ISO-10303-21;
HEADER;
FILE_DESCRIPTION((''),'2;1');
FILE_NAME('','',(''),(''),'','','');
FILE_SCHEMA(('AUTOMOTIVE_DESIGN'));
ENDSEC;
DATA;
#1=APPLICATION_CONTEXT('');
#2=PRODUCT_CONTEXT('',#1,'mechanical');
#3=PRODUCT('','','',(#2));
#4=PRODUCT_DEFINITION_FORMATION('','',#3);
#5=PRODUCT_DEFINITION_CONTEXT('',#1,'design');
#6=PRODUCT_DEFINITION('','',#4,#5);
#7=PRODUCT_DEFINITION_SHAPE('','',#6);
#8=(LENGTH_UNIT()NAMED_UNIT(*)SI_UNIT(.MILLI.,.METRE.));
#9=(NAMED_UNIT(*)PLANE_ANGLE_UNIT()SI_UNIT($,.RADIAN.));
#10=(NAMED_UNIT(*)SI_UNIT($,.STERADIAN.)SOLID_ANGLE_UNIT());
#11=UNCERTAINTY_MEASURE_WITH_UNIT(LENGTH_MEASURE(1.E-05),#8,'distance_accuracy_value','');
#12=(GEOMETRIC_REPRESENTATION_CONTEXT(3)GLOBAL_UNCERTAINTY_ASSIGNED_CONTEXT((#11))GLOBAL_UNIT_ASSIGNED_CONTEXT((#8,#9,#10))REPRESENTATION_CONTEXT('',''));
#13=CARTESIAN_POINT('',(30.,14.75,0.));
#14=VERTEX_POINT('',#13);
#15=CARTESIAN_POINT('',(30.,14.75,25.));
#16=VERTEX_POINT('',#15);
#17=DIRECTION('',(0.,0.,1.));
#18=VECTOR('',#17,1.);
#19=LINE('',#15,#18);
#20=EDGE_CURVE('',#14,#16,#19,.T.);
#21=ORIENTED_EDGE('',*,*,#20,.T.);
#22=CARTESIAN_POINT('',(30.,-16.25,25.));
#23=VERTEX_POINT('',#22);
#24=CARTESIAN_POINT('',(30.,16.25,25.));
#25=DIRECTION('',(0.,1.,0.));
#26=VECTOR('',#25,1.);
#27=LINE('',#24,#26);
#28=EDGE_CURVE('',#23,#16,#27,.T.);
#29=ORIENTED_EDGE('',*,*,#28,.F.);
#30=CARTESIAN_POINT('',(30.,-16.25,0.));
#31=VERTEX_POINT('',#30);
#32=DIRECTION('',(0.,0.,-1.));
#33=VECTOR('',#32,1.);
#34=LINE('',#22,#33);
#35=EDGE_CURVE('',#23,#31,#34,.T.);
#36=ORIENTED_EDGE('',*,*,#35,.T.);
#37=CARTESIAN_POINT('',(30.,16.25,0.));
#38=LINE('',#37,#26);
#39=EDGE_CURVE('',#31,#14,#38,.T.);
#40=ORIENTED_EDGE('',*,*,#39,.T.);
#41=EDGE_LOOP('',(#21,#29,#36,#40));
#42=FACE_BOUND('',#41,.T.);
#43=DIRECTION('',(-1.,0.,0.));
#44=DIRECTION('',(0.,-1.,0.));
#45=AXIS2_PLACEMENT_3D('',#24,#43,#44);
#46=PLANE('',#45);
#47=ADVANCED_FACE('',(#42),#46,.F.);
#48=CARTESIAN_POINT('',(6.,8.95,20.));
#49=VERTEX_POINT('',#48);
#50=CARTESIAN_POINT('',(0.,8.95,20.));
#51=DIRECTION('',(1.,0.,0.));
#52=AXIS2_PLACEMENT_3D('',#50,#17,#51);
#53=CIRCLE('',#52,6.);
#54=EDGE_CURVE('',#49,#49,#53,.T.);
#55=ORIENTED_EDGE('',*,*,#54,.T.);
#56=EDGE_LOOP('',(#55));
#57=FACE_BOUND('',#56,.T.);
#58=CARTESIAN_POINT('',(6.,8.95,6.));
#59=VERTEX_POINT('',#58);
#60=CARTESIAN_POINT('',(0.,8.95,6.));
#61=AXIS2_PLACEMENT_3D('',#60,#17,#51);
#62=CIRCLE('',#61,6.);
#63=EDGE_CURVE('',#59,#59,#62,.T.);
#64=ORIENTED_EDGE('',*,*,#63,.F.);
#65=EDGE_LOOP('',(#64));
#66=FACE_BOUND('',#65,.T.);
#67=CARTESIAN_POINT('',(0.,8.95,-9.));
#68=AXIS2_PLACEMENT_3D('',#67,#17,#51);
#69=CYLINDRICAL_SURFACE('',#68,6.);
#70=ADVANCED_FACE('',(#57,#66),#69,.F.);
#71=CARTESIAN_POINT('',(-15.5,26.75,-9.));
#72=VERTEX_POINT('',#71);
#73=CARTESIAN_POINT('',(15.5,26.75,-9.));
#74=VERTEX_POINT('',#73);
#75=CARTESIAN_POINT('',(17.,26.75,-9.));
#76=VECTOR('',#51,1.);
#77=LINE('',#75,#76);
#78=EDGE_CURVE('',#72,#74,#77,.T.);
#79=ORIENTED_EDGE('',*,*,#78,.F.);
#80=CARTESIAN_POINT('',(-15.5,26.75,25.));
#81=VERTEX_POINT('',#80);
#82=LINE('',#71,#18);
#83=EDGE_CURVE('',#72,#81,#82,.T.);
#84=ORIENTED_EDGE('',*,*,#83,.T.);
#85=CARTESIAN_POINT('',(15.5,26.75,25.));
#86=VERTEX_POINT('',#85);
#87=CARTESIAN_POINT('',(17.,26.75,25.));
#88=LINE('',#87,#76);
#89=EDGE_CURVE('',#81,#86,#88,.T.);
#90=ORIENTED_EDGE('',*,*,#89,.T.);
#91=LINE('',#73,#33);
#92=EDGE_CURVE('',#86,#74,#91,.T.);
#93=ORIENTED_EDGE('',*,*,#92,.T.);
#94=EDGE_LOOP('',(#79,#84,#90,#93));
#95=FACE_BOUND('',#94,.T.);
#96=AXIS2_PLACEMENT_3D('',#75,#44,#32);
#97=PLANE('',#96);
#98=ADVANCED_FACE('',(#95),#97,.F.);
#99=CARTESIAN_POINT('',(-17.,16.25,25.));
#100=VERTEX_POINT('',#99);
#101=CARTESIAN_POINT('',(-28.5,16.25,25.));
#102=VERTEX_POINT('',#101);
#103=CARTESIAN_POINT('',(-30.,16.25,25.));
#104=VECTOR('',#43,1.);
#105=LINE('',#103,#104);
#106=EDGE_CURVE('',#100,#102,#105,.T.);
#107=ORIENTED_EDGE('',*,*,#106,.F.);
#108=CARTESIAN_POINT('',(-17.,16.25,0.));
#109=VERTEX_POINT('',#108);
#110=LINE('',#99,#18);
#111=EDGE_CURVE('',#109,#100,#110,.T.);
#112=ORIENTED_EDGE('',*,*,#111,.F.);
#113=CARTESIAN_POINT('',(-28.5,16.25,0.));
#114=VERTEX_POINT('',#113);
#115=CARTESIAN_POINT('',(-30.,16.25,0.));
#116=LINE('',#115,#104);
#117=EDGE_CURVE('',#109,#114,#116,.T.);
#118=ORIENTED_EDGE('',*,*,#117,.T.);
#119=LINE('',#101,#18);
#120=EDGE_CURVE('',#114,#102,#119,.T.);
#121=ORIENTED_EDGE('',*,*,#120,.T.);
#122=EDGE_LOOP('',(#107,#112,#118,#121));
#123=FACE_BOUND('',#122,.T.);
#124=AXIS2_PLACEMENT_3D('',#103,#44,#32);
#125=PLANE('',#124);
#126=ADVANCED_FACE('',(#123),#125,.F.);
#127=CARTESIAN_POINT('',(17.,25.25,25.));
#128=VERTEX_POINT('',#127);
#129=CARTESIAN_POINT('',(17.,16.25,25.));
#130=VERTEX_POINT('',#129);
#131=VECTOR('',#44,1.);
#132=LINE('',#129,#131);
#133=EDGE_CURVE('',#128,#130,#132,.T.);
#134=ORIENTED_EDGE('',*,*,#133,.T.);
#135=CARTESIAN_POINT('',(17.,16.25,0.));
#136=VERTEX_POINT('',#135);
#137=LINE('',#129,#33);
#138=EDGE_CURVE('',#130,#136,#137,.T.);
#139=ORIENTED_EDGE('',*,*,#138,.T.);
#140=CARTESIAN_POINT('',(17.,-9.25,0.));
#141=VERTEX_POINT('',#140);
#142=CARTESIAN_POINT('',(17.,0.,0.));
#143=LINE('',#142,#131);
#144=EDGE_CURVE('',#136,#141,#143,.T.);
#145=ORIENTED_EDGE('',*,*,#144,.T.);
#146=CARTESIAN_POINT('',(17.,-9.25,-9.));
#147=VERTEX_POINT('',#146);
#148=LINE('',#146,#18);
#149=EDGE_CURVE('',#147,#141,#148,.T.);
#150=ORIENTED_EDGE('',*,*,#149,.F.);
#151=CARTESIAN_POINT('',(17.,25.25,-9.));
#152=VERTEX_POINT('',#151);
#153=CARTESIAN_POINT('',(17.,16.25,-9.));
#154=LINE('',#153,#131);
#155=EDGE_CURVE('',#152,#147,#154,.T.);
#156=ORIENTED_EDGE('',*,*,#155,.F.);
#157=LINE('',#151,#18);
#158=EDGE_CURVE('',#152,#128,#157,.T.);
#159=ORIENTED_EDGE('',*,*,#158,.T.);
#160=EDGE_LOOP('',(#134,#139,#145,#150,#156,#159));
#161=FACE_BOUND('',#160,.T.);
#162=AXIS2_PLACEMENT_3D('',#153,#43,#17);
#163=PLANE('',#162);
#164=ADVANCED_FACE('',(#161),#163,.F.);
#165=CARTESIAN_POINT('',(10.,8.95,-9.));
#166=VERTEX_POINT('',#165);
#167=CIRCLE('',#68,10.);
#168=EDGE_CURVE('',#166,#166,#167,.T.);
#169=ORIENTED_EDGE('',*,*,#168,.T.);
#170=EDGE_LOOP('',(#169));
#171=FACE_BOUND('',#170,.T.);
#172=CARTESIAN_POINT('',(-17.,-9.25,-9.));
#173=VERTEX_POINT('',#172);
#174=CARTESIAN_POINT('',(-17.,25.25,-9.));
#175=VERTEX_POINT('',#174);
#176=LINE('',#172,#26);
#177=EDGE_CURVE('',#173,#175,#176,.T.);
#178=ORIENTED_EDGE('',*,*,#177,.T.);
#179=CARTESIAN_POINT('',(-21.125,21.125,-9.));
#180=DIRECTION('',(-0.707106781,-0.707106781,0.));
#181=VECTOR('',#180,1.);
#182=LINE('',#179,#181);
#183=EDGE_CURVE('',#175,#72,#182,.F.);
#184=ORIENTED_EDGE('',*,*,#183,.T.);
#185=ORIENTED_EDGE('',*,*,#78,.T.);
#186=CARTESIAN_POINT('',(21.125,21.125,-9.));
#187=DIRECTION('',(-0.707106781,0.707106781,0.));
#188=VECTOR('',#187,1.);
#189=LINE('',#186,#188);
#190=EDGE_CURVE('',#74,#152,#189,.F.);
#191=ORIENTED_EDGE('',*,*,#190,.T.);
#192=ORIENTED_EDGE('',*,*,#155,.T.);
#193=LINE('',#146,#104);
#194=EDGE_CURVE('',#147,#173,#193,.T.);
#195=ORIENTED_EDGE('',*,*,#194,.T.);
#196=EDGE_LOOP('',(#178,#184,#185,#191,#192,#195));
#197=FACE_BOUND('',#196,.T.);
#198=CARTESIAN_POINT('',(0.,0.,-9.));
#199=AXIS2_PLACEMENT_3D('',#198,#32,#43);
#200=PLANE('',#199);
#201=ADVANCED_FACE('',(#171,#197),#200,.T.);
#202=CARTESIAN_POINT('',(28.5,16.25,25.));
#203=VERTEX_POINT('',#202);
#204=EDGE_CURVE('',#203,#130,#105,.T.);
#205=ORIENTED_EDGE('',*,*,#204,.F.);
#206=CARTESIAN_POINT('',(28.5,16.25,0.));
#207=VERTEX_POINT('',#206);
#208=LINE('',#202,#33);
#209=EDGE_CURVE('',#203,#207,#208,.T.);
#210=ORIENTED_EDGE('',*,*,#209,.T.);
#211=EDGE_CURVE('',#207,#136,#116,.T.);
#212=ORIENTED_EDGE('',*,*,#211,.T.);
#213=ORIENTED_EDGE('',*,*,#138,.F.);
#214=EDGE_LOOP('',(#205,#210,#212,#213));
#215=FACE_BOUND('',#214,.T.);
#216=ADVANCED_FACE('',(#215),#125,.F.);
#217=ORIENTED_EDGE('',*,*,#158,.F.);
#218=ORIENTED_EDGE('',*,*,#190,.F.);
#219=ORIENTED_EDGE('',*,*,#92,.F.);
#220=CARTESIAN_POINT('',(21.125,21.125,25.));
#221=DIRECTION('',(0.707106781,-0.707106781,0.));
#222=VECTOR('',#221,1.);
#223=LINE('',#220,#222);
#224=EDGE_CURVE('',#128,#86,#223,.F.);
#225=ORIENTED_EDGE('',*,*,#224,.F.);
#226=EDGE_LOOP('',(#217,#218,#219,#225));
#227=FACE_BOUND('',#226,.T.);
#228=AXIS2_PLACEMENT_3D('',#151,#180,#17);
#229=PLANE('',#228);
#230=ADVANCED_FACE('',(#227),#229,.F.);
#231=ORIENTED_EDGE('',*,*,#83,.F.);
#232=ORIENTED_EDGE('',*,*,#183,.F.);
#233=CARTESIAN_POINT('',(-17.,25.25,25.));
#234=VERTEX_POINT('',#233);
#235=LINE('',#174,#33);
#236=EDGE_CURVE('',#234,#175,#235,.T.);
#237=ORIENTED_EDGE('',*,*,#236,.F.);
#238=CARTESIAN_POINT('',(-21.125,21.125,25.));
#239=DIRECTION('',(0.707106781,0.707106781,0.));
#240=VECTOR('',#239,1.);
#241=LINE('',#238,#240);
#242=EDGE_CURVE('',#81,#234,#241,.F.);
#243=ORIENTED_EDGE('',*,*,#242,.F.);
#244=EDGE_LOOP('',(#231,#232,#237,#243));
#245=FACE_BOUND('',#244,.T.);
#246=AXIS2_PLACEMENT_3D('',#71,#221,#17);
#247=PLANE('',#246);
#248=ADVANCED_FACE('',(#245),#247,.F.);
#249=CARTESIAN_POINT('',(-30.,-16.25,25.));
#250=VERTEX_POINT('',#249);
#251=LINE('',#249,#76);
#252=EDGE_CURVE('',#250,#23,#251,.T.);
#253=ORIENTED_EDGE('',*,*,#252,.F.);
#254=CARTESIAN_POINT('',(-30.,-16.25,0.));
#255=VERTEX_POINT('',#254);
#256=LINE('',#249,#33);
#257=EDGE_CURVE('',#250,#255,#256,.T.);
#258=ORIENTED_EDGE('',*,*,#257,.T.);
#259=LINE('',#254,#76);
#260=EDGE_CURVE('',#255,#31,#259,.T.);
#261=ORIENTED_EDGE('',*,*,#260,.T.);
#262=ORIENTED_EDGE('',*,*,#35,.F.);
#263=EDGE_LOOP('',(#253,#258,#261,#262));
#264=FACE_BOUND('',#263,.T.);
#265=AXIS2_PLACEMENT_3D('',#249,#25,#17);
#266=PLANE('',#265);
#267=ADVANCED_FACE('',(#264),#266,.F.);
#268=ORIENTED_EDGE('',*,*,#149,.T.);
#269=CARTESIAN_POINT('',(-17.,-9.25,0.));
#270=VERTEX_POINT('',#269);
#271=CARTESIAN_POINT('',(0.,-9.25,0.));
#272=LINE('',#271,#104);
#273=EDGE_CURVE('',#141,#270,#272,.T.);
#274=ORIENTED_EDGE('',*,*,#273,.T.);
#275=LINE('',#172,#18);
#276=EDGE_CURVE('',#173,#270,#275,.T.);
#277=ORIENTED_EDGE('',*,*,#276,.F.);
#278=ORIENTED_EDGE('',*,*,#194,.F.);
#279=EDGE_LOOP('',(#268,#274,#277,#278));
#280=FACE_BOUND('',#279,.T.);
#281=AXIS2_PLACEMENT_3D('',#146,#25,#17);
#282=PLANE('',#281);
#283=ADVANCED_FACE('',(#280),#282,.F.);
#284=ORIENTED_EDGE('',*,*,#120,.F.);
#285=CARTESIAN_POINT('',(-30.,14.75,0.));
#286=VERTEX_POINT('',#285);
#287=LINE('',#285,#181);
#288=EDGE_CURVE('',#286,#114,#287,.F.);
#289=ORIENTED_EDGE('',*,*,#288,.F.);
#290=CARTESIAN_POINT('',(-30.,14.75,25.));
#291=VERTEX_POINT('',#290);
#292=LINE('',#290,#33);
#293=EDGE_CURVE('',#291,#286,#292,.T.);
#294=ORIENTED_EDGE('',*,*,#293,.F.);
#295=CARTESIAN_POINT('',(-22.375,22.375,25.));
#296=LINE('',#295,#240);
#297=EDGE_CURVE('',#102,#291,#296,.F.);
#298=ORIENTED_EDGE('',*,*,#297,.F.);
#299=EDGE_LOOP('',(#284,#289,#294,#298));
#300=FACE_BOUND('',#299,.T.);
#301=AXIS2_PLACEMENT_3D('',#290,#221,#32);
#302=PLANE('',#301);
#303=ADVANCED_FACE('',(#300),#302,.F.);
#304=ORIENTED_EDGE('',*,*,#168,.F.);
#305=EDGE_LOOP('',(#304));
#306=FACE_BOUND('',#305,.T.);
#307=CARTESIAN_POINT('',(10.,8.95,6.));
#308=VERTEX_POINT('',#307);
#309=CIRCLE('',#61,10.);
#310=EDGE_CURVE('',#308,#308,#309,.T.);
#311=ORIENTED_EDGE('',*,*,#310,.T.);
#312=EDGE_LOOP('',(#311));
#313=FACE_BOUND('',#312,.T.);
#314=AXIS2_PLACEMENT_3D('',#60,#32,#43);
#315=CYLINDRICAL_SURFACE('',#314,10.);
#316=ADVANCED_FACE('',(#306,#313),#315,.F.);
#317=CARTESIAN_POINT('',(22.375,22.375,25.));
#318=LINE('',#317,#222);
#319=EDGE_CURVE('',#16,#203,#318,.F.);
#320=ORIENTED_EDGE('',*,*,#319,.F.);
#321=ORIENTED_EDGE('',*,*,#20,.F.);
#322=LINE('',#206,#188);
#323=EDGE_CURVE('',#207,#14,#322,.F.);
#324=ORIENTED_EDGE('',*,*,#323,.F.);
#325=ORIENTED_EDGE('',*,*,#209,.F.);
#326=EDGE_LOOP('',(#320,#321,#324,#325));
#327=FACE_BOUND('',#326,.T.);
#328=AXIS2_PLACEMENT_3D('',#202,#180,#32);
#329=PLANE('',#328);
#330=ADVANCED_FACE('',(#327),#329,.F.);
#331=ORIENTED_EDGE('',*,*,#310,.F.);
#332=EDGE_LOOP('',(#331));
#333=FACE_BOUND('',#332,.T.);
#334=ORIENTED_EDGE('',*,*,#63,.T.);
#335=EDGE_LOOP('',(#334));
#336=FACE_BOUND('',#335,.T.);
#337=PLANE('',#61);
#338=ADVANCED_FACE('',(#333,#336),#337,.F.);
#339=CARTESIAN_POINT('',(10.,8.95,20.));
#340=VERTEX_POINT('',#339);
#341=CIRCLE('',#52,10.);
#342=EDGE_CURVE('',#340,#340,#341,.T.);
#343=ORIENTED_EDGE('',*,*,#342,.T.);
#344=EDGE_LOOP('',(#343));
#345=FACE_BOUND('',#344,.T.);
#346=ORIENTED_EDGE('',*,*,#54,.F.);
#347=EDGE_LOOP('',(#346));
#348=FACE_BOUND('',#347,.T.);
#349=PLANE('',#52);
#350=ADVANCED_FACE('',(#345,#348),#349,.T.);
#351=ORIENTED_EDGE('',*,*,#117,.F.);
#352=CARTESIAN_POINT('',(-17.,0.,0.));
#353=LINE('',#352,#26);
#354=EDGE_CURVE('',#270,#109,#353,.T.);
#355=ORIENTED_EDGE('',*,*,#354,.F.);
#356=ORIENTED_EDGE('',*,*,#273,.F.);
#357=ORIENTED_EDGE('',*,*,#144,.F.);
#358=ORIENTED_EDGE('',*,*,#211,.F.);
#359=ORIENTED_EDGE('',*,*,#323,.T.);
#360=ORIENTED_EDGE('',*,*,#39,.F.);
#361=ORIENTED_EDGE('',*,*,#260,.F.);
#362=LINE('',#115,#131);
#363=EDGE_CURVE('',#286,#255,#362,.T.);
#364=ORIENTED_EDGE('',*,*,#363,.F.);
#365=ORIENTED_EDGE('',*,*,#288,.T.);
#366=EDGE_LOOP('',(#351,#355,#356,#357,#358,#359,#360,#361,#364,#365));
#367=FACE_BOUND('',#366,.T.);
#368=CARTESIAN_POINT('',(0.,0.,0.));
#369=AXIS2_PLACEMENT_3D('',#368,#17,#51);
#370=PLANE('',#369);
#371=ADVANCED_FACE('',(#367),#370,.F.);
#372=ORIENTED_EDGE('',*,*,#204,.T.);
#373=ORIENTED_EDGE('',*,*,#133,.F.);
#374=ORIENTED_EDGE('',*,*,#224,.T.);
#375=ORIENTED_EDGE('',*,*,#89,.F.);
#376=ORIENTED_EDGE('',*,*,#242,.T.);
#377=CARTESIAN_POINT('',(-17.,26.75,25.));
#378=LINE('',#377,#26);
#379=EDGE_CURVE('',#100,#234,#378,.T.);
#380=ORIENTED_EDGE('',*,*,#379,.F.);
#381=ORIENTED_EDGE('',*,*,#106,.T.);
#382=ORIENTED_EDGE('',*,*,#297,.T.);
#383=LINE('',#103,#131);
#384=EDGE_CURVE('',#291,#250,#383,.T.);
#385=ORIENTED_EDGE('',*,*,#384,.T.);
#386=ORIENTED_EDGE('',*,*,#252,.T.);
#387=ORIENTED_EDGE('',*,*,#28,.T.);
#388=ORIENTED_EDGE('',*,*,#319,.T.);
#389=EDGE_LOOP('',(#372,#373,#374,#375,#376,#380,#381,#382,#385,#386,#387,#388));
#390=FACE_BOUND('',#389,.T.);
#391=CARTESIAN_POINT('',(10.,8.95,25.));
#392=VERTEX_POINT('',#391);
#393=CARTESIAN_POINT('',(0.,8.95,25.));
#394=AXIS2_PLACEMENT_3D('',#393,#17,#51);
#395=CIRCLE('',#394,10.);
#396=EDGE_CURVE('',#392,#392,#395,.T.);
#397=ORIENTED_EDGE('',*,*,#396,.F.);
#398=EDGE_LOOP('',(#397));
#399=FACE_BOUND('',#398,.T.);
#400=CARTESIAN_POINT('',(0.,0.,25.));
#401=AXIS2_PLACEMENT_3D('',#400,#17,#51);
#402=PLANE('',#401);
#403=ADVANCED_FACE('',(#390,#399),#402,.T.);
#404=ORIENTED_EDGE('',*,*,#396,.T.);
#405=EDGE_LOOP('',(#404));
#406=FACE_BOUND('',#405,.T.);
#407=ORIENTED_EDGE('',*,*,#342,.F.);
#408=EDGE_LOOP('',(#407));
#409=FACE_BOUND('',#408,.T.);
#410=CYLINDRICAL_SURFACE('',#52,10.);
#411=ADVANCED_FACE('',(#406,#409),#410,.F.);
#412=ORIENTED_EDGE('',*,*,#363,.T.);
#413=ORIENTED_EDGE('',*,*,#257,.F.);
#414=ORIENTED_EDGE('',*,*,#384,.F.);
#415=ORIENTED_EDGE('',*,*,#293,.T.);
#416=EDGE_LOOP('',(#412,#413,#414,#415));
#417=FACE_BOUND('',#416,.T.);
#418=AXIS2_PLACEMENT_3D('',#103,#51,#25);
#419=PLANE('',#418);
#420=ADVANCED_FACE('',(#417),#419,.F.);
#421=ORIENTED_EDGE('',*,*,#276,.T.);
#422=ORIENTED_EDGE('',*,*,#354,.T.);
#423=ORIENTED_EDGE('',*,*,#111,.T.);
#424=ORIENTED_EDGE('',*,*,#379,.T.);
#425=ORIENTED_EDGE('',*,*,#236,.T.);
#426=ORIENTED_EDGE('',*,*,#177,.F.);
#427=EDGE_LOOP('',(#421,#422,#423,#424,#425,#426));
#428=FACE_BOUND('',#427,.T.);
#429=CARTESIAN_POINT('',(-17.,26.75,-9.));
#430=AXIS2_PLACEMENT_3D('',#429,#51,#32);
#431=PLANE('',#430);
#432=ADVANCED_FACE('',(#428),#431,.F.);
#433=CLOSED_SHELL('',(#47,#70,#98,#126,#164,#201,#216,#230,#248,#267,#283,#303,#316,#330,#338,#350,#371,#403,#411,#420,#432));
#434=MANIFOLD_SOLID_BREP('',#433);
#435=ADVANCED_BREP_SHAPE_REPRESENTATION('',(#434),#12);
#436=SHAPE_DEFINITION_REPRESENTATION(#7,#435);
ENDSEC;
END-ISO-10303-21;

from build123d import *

# Parameters (mm, degrees)
CROQUIS1_W              = 60
CROQUIS1_H              = 32.5
SALIENTE_EXTRUIR1_DEPTH = 25
SALIENTE_EXTRUIR2_DEPTH = 34
CROQUIS3_R              = 6
CORTAR_EXTRUIR1_DEPTH   = 35
CHAFL_N1_SIZE           = 1.5
CHAFL_N2_SIZE           = 1.5
CHAFL_N3_SIZE           = 1.5
CROQUIS5_R              = 10
CORTAR_EXTRUIR2_DEPTH   = 15
CROQUIS6_R              = 10
CORTAR_EXTRUIR3_DEPTH   = 5


with BuildPart() as part:
    # Croquis1 → Saliente-Extruir1 (new body)
    with BuildSketch(Plane.XY):
        Rectangle(CROQUIS1_W, CROQUIS1_H)
    extrude(amount=SALIENTE_EXTRUIR1_DEPTH)

    # Croquis2 → Saliente-Extruir2 (add)
    with BuildSketch(Plane(origin=(0, 0, 25), x_dir=(-1, 0, 0), z_dir=(0, 0, -1))):
        Polygon((-17, 16.25), (-17, 26.75), (17, 26.75), (17, 16.25), (17, -9.25), (-17, -9.25), align=None)
    extrude(amount=SALIENTE_EXTRUIR2_DEPTH)

    # Croquis3 → Cortar-Extruir1 (cut, through all)
    with BuildSketch(Plane(origin=(0, 0, 25), x_dir=(-1, 0, 0), z_dir=(0, 0, -1))):
        with Locations((0, 8.95)):
            Circle(CROQUIS3_R)
    extrude(amount=CORTAR_EXTRUIR1_DEPTH, mode=Mode.SUBTRACT)

    # Chaflán1
    chafl_n1_edges = [part.edges().sort_by_distance(p)[0] for p in [
        (17, 26.75, 8),
    ]]
    chamfer(chafl_n1_edges, length=CHAFL_N1_SIZE)

    # Chaflán2
    chafl_n2_edges = [part.edges().sort_by_distance(p)[0] for p in [
        (-17, 26.75, 8),
    ]]
    chamfer(chafl_n2_edges, length=CHAFL_N2_SIZE)

    # Chaflán3
    chafl_n3_edges = [part.edges().sort_by_distance(p)[0] for p in [
        (-30, 16.25, 12.5),
        (30, 16.25, 12.5),
    ]]
    chamfer(chafl_n3_edges, length=CHAFL_N3_SIZE)

    # Croquis5 → Cortar-Extruir2 (cut)
    with BuildSketch(Plane.XY.offset(-9)):
        with Locations((0, 8.95)):
            Circle(CROQUIS5_R)
    extrude(amount=CORTAR_EXTRUIR2_DEPTH, mode=Mode.SUBTRACT)

    # Croquis6 → Cortar-Extruir3 (cut)
    with BuildSketch(Plane.XY.offset(25)):
        with Locations((0, 8.95)):
            Circle(CROQUIS6_R)
    extrude(amount=-CORTAR_EXTRUIR3_DEPTH, mode=Mode.SUBTRACT)


solid = part.part
